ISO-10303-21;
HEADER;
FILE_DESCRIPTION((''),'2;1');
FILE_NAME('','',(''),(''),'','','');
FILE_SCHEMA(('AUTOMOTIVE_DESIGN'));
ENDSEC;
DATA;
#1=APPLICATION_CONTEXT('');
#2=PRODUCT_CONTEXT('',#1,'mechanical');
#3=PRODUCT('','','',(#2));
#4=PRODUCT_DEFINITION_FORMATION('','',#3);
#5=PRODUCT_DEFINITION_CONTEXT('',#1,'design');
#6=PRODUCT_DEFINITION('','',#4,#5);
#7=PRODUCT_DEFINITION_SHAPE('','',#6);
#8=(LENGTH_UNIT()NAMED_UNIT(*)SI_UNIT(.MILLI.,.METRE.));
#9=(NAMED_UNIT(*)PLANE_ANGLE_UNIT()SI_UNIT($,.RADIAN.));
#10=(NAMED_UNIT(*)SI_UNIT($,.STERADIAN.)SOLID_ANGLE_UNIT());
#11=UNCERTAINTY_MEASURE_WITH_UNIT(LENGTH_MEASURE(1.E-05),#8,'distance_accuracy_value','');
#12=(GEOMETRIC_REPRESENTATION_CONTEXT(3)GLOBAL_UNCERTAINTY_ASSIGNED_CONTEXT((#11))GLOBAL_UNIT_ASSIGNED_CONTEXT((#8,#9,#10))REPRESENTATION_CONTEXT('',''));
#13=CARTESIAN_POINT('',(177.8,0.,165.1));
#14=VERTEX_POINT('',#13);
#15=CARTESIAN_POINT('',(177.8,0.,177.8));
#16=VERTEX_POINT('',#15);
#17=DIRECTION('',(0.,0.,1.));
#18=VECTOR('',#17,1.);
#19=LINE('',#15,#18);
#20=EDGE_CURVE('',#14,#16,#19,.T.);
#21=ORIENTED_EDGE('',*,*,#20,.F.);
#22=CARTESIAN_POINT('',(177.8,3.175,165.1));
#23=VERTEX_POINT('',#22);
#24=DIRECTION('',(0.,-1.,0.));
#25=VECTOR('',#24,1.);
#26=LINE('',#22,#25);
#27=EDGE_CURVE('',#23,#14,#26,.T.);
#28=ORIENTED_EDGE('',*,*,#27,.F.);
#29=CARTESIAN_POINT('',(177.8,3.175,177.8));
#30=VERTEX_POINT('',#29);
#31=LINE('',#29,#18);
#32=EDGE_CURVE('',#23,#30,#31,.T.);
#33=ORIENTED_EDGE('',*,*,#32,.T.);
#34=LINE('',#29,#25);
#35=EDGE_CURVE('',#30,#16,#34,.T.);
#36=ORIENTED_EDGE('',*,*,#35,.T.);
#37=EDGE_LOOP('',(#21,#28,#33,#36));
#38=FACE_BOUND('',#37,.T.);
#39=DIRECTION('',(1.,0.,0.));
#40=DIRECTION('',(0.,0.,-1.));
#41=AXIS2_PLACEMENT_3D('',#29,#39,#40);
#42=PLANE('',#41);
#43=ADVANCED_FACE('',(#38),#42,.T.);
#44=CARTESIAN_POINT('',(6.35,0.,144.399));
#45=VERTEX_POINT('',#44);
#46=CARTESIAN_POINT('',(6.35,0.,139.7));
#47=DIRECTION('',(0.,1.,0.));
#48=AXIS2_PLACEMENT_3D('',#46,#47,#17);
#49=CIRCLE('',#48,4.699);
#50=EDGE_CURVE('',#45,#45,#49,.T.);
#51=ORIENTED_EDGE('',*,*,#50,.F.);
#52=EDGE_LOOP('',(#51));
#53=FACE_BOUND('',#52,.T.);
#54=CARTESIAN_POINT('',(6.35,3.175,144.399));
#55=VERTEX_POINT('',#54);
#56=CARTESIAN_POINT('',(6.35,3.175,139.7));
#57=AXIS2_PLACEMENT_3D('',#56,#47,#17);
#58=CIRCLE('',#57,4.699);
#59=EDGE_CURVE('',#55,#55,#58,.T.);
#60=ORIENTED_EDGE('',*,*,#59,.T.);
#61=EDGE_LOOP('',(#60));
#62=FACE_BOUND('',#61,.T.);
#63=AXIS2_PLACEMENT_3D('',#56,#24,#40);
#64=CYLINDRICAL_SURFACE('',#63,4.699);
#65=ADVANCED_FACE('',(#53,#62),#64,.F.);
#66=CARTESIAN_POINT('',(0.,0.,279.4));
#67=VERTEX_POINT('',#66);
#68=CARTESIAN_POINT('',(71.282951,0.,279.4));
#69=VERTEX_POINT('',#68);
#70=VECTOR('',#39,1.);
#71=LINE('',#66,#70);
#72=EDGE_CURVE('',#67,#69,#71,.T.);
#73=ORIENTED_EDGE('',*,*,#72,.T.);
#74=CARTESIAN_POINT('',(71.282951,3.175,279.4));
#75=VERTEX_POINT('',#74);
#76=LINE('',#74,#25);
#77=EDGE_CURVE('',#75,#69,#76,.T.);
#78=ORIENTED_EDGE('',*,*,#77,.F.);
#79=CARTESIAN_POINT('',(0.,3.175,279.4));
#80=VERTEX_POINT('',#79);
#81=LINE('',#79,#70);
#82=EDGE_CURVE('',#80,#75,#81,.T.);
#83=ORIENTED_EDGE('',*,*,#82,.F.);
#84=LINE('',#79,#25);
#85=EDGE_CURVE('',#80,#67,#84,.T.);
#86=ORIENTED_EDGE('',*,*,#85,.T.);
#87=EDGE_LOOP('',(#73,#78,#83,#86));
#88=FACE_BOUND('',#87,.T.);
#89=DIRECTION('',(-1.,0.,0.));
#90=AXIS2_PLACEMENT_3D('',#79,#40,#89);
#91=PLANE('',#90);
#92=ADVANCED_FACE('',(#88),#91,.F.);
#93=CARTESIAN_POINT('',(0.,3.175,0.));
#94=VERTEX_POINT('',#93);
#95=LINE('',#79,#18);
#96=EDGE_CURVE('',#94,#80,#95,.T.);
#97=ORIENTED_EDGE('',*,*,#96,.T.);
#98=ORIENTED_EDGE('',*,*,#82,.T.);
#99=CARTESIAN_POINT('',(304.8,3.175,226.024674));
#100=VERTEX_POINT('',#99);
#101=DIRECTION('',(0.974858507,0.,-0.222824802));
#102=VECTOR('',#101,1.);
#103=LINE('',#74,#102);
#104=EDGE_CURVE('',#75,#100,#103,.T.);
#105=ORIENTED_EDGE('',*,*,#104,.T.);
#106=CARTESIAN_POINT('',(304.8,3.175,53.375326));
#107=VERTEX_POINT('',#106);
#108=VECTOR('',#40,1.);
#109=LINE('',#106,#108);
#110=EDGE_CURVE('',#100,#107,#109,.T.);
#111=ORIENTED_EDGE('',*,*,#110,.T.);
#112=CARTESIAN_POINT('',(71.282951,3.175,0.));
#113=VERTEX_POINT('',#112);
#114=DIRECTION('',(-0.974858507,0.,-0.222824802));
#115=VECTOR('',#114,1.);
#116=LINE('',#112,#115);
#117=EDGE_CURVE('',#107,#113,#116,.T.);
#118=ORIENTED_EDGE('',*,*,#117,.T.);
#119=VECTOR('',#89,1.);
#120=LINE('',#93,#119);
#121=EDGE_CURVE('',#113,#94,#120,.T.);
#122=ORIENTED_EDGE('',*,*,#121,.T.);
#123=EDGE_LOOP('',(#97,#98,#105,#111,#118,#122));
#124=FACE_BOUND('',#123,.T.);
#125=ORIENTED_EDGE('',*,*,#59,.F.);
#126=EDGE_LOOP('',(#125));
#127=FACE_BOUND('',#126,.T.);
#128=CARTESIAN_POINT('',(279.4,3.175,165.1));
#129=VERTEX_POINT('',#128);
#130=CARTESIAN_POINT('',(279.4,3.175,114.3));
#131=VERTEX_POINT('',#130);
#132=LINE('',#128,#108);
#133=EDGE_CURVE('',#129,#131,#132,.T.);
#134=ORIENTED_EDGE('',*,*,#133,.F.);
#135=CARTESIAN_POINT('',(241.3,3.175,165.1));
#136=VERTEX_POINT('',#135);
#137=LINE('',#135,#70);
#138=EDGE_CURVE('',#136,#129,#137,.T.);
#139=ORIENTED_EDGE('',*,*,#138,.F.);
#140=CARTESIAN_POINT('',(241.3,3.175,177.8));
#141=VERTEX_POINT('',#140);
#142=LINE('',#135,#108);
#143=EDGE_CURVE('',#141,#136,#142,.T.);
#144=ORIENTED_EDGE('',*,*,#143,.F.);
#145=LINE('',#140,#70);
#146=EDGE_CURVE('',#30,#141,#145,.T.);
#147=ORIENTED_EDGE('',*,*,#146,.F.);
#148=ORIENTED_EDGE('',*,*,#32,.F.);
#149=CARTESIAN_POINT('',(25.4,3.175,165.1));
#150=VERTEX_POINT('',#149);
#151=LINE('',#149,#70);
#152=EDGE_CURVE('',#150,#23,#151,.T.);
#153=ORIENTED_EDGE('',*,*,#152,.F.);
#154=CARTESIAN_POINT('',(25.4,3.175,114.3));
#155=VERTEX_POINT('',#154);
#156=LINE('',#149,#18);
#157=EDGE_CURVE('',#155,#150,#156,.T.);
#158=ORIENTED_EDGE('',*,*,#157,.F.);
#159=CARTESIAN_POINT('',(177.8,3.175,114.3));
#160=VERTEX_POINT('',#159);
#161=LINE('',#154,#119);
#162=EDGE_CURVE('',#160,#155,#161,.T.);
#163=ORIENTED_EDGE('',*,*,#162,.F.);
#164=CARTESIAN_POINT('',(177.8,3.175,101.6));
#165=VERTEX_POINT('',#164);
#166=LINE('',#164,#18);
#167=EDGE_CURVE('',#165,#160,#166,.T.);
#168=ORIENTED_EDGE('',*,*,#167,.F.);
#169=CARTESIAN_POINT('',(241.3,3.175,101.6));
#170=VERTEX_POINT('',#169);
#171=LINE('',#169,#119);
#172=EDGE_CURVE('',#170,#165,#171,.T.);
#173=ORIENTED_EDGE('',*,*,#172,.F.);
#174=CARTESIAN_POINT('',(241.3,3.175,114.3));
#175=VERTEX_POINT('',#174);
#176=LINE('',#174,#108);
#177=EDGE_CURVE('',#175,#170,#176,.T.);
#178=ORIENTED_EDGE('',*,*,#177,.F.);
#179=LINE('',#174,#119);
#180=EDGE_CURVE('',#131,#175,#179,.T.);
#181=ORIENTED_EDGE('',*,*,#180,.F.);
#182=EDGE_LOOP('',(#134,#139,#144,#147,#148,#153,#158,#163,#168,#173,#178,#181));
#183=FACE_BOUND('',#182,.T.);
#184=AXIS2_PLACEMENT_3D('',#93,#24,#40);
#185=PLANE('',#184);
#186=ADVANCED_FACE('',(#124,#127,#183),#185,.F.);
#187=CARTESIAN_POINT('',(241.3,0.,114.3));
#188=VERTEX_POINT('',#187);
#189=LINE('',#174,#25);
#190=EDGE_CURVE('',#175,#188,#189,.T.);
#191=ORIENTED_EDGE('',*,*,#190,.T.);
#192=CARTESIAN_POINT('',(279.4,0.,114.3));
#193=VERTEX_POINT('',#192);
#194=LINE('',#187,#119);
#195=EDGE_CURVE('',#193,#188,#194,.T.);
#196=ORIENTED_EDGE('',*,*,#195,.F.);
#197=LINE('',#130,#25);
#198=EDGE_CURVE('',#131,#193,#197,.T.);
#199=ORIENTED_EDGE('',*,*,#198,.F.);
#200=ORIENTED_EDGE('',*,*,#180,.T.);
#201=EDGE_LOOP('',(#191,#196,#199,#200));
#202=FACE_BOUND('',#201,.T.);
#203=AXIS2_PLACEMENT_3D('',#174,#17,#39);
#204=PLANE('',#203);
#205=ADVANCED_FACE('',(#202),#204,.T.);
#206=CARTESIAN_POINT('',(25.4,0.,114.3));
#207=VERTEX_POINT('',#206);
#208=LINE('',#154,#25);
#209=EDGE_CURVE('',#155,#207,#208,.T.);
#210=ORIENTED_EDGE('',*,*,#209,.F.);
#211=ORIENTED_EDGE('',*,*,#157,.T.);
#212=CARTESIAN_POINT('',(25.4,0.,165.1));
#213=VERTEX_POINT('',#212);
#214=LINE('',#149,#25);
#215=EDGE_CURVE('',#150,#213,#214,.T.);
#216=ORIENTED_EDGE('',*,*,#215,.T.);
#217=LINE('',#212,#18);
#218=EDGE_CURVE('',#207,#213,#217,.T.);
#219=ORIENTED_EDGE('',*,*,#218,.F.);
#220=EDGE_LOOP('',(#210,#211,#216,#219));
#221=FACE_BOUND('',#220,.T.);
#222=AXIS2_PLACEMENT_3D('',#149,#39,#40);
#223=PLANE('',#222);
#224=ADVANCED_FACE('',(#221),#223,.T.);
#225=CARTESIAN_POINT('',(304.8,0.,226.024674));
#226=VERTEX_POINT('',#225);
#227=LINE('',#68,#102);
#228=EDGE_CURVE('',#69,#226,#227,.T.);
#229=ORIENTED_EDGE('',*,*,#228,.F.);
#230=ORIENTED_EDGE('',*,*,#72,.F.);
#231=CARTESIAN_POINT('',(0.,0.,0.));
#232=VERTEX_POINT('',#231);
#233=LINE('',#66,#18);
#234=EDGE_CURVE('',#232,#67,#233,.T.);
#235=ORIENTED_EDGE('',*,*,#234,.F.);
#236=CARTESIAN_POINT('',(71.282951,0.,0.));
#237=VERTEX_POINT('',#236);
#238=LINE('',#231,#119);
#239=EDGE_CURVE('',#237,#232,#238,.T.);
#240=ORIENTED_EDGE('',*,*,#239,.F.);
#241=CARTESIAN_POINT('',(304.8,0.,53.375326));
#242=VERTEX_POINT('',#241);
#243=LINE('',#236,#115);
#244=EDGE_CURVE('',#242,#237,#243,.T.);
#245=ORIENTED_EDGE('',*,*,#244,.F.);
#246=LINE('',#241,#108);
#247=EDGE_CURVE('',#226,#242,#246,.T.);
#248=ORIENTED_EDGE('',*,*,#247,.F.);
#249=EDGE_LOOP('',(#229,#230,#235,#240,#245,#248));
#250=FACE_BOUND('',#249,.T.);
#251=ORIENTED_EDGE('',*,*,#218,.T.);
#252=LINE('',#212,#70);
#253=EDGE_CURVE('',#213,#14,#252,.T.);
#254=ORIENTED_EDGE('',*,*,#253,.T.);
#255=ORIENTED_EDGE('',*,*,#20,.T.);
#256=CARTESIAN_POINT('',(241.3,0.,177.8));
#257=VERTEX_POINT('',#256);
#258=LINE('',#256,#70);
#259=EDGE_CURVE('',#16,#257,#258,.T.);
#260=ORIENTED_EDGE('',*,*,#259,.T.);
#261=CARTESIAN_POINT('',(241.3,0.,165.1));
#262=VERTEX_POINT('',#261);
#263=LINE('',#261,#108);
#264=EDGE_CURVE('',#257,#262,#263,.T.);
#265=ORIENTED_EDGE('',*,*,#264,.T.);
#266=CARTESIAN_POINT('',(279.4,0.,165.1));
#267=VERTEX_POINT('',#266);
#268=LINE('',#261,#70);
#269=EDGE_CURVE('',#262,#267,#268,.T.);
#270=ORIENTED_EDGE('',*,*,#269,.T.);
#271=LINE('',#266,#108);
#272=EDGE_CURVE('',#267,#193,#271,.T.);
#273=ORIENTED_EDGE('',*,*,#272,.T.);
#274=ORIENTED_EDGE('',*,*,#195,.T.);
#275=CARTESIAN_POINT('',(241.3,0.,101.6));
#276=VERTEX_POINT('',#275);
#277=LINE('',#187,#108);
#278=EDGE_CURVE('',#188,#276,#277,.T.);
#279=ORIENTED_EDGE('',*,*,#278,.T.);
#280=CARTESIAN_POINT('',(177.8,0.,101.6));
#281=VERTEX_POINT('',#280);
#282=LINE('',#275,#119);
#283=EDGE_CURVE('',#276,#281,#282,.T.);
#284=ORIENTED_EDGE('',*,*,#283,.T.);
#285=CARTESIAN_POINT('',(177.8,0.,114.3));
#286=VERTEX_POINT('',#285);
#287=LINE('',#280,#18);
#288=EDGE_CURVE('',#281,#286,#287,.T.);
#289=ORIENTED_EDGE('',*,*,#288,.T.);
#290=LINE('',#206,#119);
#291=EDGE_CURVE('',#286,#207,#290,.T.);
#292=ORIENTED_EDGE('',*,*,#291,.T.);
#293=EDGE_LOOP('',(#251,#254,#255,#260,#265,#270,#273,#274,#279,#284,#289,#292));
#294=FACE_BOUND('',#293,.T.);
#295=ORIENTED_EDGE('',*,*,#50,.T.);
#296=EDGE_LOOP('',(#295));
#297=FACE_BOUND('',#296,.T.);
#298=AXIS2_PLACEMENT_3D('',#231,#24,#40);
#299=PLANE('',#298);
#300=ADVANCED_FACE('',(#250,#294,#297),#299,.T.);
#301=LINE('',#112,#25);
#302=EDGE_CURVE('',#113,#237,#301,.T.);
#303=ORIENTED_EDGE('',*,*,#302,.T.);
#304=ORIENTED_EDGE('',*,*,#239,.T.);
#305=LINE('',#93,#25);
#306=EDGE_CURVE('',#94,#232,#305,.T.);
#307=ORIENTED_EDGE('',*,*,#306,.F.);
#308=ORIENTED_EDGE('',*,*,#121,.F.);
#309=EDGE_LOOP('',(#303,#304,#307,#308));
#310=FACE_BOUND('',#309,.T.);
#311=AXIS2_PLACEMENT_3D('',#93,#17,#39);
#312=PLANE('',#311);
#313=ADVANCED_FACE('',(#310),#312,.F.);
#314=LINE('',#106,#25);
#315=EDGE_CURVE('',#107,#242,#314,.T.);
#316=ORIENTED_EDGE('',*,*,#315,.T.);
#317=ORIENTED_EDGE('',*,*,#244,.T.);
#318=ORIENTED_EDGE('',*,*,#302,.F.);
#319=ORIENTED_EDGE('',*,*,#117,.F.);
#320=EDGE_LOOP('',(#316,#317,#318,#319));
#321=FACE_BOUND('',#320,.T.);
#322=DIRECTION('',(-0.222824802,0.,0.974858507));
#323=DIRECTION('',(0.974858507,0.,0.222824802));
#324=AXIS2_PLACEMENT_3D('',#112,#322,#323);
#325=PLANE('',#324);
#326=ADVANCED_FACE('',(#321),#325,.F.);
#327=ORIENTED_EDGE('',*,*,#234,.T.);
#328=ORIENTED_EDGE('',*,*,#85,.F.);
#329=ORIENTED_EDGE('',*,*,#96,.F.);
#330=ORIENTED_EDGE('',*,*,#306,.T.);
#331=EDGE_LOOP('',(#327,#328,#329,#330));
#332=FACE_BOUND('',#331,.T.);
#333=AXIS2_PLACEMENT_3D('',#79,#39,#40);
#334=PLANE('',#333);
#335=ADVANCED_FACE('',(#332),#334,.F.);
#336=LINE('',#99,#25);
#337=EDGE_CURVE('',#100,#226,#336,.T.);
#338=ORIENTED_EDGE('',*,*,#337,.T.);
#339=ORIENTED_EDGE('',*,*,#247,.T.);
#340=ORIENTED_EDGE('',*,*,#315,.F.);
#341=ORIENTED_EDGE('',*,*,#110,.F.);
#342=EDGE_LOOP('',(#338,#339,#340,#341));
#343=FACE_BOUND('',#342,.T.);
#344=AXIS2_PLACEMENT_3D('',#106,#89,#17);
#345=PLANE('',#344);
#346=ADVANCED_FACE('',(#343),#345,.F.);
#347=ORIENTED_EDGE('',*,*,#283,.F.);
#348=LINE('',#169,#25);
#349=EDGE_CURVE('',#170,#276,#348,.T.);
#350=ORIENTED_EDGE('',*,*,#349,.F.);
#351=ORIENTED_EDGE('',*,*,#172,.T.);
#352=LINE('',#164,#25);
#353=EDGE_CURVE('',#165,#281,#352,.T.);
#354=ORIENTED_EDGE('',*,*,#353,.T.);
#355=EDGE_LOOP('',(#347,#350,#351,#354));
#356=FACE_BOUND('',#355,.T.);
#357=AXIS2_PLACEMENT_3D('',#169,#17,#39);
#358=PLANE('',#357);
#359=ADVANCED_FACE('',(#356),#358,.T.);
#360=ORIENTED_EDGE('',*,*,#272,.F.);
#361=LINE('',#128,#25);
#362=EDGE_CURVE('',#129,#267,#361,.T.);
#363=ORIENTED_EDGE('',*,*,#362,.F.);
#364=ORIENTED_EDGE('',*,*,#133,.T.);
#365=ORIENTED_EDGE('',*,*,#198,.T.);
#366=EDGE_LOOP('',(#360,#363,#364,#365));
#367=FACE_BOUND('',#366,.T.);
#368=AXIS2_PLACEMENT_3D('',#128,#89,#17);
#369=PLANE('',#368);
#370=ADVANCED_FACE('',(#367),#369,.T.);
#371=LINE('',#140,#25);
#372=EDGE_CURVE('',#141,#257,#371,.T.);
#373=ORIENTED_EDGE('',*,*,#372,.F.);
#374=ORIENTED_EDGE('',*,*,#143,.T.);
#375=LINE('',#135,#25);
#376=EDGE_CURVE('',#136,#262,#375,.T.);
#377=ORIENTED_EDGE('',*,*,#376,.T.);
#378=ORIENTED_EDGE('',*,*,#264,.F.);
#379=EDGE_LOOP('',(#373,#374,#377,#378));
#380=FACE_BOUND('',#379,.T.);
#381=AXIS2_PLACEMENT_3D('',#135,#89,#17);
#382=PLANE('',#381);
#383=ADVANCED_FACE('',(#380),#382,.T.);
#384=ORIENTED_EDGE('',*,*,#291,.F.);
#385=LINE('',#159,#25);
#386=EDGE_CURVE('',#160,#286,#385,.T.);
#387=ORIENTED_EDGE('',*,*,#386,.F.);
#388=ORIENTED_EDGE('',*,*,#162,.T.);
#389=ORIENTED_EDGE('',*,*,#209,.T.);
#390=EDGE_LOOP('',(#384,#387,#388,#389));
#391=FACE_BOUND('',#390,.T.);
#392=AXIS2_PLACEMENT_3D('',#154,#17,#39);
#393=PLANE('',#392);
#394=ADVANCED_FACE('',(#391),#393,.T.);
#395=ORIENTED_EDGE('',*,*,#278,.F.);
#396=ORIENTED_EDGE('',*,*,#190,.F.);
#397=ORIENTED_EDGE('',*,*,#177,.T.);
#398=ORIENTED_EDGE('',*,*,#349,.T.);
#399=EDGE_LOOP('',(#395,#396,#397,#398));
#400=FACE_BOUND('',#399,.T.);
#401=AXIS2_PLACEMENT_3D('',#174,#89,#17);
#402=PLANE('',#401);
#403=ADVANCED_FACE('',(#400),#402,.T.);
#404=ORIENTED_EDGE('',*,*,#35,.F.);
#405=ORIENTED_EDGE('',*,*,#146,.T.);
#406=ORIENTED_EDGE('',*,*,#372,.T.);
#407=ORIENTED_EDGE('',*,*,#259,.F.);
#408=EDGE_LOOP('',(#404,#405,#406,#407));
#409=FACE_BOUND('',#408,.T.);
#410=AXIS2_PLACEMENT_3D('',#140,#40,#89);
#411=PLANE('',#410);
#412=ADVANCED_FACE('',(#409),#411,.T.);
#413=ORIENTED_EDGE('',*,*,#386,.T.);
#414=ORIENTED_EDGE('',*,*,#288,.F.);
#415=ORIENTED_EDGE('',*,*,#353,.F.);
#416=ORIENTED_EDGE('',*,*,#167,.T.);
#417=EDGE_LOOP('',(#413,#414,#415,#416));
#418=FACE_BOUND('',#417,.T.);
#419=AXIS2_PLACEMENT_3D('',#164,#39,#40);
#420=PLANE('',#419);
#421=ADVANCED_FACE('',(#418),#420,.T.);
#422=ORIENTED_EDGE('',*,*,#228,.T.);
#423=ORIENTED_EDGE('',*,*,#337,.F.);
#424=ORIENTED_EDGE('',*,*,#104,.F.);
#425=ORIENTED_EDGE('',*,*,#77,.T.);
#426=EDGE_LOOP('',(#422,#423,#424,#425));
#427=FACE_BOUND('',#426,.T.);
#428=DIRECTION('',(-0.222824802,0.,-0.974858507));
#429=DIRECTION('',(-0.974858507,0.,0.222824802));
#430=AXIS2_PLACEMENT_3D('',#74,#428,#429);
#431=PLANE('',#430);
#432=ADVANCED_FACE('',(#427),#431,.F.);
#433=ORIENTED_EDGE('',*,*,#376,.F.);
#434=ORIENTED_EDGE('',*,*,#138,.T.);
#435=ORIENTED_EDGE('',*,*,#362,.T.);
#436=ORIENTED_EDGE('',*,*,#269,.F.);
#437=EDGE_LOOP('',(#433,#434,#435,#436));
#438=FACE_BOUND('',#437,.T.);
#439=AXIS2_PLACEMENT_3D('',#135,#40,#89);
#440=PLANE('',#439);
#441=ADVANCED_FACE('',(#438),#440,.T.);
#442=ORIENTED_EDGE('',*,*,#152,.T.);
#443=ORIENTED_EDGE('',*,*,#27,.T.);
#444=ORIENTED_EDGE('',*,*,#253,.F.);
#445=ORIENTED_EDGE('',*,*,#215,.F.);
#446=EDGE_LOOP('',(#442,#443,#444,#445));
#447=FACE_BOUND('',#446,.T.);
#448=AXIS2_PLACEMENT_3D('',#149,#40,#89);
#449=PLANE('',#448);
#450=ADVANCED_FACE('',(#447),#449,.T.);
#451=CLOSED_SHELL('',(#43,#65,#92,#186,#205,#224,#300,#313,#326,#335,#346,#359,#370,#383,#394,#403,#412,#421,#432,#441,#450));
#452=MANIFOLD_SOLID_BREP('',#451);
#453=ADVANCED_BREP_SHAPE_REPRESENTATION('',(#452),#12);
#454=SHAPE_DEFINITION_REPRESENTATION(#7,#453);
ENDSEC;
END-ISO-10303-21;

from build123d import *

# Parameters (mm, degrees)
SKETCH1_R           = 4.699
BOSS_EXTRUDE1_DEPTH = 3.175


with BuildPart() as part:
    # Sketch1 → Boss-Extrude1 (new body)
    with BuildSketch(Plane(origin=(0, 0, 0), x_dir=(1, 0, 0), z_dir=(0, 1, 0))):
        Polygon((0, 0), (71.282950754, 0), (304.8, -53.375325558), (304.8, -226.024674442), (71.282950754, -279.4), (0, -279.4), align=None)
        with Locations(Location((6.35, -139.7, 0), (0, 0, 270))):
            Circle(SKETCH1_R, mode=Mode.SUBTRACT)
        Polygon((25.4, -165.1), (177.8, -165.1), (177.8, -177.8), (241.3, -177.8), (241.3, -165.1), (279.4, -165.1), (279.4, -114.3), (241.3, -114.3), (241.3, -101.6), (177.8, -101.6), (177.8, -114.3), (25.4, -114.3), align=None, mode=Mode.SUBTRACT)
    extrude(amount=BOSS_EXTRUDE1_DEPTH)


solid = part.part
